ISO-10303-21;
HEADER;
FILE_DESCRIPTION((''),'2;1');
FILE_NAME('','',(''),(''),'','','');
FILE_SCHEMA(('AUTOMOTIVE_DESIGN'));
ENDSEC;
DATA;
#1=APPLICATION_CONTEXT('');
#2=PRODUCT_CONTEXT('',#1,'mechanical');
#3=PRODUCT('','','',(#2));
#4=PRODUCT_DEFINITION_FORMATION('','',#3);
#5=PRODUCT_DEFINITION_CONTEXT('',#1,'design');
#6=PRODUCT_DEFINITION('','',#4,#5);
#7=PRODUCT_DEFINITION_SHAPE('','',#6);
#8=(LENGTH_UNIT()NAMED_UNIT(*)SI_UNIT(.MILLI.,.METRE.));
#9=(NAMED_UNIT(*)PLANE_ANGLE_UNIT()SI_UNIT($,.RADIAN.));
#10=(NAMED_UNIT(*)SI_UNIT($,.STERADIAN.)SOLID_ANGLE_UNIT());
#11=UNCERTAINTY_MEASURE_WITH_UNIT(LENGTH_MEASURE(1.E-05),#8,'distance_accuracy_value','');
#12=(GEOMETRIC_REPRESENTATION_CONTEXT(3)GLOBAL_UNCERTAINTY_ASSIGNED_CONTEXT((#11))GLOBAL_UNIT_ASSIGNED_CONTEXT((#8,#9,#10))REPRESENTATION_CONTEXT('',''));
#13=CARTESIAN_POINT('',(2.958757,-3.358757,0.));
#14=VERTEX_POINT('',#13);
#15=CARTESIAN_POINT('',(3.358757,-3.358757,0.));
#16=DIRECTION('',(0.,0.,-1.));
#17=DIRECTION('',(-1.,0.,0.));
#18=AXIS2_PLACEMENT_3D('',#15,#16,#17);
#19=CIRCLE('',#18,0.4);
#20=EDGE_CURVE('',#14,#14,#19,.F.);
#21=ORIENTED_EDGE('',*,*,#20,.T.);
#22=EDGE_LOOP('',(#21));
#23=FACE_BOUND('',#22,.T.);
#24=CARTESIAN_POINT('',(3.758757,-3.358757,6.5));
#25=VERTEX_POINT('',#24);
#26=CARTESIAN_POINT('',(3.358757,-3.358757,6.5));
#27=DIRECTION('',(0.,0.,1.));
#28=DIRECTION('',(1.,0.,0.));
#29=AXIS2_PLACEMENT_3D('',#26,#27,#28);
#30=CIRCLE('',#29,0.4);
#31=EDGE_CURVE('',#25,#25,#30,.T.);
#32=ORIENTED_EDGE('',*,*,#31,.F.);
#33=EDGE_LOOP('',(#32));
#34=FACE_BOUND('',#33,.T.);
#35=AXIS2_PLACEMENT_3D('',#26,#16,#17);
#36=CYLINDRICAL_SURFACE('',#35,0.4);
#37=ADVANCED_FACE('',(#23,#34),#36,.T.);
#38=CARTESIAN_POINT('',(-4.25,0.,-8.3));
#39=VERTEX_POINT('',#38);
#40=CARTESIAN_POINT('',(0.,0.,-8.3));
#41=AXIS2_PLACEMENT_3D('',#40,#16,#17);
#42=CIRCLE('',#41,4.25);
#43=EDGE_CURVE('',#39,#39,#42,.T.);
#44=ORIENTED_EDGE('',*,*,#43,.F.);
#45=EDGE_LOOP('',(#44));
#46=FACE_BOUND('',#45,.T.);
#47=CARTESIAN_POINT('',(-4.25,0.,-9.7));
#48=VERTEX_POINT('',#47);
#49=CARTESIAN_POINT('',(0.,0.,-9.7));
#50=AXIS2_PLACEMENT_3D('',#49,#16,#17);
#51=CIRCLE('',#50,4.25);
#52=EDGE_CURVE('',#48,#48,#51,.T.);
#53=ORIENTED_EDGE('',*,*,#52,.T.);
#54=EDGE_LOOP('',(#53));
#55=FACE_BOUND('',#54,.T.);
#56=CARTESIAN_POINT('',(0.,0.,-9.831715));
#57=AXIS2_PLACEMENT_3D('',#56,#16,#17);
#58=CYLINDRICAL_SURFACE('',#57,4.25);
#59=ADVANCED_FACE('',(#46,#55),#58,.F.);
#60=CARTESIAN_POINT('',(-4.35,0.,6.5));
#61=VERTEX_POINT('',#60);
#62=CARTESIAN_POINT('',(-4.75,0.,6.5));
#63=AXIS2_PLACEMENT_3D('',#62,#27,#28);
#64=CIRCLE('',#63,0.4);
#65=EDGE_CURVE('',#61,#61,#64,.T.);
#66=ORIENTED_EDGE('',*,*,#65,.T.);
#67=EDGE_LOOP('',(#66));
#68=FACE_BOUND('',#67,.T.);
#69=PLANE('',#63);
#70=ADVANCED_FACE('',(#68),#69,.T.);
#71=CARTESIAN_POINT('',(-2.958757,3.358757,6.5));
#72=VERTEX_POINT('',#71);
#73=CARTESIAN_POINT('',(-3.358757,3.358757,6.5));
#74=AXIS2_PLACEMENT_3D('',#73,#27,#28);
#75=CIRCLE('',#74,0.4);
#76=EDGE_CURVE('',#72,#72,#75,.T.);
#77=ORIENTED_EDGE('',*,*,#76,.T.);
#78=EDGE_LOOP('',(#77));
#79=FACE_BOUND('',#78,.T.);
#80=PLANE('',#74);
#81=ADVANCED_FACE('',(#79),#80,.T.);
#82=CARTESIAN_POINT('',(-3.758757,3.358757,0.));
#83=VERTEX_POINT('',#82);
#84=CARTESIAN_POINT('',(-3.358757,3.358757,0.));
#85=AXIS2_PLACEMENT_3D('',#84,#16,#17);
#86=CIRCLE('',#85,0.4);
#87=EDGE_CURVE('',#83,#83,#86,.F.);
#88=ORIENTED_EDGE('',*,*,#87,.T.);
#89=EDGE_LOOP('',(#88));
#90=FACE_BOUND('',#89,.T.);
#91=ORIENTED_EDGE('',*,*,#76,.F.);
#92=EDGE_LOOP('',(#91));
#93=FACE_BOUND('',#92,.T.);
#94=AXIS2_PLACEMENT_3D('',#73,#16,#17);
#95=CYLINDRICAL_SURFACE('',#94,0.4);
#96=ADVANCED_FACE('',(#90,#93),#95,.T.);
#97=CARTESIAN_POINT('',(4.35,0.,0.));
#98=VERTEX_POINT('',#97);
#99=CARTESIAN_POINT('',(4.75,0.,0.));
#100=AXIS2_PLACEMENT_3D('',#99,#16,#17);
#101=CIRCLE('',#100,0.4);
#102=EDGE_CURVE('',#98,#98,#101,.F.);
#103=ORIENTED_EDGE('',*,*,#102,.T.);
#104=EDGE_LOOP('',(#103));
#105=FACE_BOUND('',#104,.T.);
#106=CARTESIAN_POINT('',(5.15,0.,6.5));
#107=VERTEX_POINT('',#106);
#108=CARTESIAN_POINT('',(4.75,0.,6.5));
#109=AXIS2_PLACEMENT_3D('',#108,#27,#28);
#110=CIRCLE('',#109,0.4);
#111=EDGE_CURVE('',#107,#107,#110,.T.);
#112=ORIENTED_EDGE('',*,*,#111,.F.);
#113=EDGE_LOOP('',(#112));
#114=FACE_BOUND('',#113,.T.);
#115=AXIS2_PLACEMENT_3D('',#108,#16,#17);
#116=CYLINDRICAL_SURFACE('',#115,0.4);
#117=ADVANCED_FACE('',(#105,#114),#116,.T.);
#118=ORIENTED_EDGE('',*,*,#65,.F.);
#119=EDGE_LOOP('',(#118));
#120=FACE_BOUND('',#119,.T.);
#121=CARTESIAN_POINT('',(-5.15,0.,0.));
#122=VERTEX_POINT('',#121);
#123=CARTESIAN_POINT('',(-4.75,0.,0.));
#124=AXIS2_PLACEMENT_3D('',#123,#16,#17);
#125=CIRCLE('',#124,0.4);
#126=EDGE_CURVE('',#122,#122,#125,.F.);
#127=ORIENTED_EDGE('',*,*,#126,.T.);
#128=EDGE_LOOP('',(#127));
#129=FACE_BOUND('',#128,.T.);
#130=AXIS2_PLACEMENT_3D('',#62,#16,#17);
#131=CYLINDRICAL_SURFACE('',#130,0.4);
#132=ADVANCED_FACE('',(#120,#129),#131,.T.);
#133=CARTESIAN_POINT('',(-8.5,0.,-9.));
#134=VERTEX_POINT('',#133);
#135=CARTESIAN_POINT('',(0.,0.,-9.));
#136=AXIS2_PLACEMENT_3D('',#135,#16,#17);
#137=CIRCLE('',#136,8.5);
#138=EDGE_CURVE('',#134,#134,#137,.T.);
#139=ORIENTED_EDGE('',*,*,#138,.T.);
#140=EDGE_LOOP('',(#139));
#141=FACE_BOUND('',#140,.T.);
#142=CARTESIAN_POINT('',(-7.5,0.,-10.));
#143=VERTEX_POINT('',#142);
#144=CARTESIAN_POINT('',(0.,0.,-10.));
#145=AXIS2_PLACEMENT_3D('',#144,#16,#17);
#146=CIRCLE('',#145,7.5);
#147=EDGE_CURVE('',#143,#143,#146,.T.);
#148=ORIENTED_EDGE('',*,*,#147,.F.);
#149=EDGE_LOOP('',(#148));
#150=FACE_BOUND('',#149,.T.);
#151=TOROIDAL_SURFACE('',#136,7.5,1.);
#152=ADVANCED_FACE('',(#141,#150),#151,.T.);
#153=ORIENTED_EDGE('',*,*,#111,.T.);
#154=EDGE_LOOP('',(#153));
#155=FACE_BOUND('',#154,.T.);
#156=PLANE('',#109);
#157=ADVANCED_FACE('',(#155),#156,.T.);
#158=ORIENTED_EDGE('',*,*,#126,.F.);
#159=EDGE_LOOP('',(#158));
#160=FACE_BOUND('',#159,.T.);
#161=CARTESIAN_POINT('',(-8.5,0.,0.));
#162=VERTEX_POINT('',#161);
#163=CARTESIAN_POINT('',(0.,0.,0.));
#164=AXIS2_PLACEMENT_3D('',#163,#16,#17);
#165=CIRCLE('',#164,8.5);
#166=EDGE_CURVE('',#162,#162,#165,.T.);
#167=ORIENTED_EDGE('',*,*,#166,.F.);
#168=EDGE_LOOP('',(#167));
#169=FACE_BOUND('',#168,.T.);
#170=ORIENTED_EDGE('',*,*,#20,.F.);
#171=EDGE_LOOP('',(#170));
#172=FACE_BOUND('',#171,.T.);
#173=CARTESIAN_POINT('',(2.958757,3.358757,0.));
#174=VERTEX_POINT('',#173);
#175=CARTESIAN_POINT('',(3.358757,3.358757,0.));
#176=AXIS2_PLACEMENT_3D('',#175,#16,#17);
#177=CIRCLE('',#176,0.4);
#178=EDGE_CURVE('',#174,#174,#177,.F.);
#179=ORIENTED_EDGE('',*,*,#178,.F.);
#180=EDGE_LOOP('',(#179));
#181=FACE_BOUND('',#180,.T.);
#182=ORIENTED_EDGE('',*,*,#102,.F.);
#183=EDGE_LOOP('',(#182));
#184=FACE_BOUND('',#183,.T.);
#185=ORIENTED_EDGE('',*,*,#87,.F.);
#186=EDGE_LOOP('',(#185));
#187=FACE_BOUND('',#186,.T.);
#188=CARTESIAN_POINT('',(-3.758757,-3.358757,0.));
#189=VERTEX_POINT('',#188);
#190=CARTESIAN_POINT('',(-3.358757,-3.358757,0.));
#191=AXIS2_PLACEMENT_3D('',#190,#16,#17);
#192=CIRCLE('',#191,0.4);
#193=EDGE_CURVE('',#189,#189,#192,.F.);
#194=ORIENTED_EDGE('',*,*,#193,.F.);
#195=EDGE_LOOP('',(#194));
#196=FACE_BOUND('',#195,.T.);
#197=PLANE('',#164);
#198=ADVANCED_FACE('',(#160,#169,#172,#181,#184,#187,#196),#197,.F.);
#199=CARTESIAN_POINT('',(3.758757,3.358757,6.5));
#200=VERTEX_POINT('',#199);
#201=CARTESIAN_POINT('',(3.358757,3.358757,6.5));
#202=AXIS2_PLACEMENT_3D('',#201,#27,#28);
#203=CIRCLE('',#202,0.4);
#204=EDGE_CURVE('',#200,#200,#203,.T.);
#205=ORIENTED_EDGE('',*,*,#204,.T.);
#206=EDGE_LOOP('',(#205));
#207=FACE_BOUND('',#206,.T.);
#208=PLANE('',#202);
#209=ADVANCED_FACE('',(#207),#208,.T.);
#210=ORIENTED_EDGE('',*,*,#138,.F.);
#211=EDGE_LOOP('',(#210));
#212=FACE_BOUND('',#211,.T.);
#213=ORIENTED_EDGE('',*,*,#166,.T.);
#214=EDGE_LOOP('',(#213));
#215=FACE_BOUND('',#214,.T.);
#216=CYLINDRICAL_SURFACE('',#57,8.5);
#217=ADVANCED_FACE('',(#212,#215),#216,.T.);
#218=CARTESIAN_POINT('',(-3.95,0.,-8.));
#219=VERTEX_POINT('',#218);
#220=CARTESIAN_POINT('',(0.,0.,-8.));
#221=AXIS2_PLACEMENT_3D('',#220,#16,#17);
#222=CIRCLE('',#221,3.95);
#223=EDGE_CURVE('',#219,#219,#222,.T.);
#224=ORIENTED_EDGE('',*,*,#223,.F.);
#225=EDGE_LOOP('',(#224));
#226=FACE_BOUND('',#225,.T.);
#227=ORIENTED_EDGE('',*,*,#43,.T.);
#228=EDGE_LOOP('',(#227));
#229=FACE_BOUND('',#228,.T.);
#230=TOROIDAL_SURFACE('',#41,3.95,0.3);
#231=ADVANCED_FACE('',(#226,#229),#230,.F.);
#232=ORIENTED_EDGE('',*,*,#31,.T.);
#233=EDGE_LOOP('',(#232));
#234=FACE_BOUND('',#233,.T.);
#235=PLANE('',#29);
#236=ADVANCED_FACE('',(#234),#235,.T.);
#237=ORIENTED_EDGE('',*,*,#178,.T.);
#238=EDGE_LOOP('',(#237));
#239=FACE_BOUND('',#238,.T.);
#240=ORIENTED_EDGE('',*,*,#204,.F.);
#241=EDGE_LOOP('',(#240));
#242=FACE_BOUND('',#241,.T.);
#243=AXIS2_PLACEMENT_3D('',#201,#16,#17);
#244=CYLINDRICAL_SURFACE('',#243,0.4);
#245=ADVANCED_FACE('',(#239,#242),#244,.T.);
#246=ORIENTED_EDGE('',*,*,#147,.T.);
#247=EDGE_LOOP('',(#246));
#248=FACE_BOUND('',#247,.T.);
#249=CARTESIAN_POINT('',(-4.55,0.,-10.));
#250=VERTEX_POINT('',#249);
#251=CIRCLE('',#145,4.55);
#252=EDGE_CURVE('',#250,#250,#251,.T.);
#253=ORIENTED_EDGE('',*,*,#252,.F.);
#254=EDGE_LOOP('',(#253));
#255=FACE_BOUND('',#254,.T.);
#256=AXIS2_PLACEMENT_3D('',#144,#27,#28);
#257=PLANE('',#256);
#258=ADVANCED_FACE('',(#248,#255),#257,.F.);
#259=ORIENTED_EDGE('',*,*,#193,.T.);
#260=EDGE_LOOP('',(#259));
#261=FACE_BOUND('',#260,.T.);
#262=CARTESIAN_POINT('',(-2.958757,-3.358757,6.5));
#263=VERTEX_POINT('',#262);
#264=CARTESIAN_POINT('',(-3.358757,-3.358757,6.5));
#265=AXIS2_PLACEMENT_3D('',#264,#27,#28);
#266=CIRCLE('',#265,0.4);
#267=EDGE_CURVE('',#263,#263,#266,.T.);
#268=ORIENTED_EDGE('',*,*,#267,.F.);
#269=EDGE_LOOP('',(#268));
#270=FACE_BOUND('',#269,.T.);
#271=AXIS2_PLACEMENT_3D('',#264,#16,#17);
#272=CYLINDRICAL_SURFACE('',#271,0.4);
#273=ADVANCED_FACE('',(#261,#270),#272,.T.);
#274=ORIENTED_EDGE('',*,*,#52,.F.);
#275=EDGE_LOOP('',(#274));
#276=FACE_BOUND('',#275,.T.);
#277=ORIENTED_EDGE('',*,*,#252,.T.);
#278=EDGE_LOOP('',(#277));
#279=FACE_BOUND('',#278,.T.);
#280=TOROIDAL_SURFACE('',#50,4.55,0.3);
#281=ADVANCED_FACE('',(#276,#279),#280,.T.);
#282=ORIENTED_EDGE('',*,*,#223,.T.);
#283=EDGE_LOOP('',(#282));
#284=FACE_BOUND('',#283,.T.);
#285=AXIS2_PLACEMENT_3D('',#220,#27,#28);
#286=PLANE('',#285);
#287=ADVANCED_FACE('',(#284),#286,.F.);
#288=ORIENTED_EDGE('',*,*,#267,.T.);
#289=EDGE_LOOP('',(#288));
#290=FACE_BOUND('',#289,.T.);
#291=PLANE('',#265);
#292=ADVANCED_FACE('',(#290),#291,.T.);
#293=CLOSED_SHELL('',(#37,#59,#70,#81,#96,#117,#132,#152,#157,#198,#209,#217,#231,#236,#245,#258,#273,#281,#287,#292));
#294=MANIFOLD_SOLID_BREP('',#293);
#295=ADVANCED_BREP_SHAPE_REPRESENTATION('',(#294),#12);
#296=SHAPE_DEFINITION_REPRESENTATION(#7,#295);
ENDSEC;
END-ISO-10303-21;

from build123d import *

# Parameters (mm, degrees)
SKETCH_2_R      = 0.4
EXTRUDE_1_DEPTH = 6.5


with BuildPart() as part:
    # 草图1 → 旋转1 (revolve)
    with BuildSketch(Plane(origin=(0, 0, 0), x_dir=(1, 0, 0), z_dir=(0, 1, 0)), mode=Mode.PRIVATE) as revolve_1_sk:
        with BuildLine():
            Line((0, 8), (0, 0))
            Line((0, 0), (8.5, 0))
            Line((8.5, 0), (8.5, 9))
            ThreePointArc((8.5, 9), (8.207106781, 9.707106781), (7.5, 10))
            Line((7.5, 10), (4.55, 10))
            ThreePointArc((4.55, 10), (4.337867966, 9.912132034), (4.25, 9.7))
            Line((4.25, 9.7), (4.25, 8.3))
            ThreePointArc((4.25, 8.3), (4.162132034, 8.087867966), (3.95, 8))
            Line((3.95, 8), (0, 8))
        make_face()
    revolve(revolve_1_sk.sketch.rotate(Axis((0, 0, -9.831715268), (0, 0, 1)), 180), axis=Axis((0, 0, -9.831715268), (0, 0, 1)))

    # 草图2 → 凸台-拉伸1 (add)
    with BuildSketch(Plane.XY):
        with Locations(Location((-4.75, 0, 0), (0, 0, 180))):
            Circle(SKETCH_2_R)
        with Locations(Location((-3.358757211, 3.358757211, 0), (0, 0, 180))):
            Circle(SKETCH_2_R)
        with Locations(Location((3.358757211, 3.358757211, 0), (0, 0, 180))):
            Circle(SKETCH_2_R)
        with Locations(Location((4.75, 0, 0), (0, 0, 180))):
            Circle(SKETCH_2_R)
        with Locations(Location((3.358757211, -3.358757211, 0), (0, 0, 180))):
            Circle(SKETCH_2_R)
        with Locations(Location((-3.358757211, -3.358757211, 0), (0, 0, 180))):
            Circle(SKETCH_2_R)
    extrude(amount=EXTRUDE_1_DEPTH)


solid = part.part
